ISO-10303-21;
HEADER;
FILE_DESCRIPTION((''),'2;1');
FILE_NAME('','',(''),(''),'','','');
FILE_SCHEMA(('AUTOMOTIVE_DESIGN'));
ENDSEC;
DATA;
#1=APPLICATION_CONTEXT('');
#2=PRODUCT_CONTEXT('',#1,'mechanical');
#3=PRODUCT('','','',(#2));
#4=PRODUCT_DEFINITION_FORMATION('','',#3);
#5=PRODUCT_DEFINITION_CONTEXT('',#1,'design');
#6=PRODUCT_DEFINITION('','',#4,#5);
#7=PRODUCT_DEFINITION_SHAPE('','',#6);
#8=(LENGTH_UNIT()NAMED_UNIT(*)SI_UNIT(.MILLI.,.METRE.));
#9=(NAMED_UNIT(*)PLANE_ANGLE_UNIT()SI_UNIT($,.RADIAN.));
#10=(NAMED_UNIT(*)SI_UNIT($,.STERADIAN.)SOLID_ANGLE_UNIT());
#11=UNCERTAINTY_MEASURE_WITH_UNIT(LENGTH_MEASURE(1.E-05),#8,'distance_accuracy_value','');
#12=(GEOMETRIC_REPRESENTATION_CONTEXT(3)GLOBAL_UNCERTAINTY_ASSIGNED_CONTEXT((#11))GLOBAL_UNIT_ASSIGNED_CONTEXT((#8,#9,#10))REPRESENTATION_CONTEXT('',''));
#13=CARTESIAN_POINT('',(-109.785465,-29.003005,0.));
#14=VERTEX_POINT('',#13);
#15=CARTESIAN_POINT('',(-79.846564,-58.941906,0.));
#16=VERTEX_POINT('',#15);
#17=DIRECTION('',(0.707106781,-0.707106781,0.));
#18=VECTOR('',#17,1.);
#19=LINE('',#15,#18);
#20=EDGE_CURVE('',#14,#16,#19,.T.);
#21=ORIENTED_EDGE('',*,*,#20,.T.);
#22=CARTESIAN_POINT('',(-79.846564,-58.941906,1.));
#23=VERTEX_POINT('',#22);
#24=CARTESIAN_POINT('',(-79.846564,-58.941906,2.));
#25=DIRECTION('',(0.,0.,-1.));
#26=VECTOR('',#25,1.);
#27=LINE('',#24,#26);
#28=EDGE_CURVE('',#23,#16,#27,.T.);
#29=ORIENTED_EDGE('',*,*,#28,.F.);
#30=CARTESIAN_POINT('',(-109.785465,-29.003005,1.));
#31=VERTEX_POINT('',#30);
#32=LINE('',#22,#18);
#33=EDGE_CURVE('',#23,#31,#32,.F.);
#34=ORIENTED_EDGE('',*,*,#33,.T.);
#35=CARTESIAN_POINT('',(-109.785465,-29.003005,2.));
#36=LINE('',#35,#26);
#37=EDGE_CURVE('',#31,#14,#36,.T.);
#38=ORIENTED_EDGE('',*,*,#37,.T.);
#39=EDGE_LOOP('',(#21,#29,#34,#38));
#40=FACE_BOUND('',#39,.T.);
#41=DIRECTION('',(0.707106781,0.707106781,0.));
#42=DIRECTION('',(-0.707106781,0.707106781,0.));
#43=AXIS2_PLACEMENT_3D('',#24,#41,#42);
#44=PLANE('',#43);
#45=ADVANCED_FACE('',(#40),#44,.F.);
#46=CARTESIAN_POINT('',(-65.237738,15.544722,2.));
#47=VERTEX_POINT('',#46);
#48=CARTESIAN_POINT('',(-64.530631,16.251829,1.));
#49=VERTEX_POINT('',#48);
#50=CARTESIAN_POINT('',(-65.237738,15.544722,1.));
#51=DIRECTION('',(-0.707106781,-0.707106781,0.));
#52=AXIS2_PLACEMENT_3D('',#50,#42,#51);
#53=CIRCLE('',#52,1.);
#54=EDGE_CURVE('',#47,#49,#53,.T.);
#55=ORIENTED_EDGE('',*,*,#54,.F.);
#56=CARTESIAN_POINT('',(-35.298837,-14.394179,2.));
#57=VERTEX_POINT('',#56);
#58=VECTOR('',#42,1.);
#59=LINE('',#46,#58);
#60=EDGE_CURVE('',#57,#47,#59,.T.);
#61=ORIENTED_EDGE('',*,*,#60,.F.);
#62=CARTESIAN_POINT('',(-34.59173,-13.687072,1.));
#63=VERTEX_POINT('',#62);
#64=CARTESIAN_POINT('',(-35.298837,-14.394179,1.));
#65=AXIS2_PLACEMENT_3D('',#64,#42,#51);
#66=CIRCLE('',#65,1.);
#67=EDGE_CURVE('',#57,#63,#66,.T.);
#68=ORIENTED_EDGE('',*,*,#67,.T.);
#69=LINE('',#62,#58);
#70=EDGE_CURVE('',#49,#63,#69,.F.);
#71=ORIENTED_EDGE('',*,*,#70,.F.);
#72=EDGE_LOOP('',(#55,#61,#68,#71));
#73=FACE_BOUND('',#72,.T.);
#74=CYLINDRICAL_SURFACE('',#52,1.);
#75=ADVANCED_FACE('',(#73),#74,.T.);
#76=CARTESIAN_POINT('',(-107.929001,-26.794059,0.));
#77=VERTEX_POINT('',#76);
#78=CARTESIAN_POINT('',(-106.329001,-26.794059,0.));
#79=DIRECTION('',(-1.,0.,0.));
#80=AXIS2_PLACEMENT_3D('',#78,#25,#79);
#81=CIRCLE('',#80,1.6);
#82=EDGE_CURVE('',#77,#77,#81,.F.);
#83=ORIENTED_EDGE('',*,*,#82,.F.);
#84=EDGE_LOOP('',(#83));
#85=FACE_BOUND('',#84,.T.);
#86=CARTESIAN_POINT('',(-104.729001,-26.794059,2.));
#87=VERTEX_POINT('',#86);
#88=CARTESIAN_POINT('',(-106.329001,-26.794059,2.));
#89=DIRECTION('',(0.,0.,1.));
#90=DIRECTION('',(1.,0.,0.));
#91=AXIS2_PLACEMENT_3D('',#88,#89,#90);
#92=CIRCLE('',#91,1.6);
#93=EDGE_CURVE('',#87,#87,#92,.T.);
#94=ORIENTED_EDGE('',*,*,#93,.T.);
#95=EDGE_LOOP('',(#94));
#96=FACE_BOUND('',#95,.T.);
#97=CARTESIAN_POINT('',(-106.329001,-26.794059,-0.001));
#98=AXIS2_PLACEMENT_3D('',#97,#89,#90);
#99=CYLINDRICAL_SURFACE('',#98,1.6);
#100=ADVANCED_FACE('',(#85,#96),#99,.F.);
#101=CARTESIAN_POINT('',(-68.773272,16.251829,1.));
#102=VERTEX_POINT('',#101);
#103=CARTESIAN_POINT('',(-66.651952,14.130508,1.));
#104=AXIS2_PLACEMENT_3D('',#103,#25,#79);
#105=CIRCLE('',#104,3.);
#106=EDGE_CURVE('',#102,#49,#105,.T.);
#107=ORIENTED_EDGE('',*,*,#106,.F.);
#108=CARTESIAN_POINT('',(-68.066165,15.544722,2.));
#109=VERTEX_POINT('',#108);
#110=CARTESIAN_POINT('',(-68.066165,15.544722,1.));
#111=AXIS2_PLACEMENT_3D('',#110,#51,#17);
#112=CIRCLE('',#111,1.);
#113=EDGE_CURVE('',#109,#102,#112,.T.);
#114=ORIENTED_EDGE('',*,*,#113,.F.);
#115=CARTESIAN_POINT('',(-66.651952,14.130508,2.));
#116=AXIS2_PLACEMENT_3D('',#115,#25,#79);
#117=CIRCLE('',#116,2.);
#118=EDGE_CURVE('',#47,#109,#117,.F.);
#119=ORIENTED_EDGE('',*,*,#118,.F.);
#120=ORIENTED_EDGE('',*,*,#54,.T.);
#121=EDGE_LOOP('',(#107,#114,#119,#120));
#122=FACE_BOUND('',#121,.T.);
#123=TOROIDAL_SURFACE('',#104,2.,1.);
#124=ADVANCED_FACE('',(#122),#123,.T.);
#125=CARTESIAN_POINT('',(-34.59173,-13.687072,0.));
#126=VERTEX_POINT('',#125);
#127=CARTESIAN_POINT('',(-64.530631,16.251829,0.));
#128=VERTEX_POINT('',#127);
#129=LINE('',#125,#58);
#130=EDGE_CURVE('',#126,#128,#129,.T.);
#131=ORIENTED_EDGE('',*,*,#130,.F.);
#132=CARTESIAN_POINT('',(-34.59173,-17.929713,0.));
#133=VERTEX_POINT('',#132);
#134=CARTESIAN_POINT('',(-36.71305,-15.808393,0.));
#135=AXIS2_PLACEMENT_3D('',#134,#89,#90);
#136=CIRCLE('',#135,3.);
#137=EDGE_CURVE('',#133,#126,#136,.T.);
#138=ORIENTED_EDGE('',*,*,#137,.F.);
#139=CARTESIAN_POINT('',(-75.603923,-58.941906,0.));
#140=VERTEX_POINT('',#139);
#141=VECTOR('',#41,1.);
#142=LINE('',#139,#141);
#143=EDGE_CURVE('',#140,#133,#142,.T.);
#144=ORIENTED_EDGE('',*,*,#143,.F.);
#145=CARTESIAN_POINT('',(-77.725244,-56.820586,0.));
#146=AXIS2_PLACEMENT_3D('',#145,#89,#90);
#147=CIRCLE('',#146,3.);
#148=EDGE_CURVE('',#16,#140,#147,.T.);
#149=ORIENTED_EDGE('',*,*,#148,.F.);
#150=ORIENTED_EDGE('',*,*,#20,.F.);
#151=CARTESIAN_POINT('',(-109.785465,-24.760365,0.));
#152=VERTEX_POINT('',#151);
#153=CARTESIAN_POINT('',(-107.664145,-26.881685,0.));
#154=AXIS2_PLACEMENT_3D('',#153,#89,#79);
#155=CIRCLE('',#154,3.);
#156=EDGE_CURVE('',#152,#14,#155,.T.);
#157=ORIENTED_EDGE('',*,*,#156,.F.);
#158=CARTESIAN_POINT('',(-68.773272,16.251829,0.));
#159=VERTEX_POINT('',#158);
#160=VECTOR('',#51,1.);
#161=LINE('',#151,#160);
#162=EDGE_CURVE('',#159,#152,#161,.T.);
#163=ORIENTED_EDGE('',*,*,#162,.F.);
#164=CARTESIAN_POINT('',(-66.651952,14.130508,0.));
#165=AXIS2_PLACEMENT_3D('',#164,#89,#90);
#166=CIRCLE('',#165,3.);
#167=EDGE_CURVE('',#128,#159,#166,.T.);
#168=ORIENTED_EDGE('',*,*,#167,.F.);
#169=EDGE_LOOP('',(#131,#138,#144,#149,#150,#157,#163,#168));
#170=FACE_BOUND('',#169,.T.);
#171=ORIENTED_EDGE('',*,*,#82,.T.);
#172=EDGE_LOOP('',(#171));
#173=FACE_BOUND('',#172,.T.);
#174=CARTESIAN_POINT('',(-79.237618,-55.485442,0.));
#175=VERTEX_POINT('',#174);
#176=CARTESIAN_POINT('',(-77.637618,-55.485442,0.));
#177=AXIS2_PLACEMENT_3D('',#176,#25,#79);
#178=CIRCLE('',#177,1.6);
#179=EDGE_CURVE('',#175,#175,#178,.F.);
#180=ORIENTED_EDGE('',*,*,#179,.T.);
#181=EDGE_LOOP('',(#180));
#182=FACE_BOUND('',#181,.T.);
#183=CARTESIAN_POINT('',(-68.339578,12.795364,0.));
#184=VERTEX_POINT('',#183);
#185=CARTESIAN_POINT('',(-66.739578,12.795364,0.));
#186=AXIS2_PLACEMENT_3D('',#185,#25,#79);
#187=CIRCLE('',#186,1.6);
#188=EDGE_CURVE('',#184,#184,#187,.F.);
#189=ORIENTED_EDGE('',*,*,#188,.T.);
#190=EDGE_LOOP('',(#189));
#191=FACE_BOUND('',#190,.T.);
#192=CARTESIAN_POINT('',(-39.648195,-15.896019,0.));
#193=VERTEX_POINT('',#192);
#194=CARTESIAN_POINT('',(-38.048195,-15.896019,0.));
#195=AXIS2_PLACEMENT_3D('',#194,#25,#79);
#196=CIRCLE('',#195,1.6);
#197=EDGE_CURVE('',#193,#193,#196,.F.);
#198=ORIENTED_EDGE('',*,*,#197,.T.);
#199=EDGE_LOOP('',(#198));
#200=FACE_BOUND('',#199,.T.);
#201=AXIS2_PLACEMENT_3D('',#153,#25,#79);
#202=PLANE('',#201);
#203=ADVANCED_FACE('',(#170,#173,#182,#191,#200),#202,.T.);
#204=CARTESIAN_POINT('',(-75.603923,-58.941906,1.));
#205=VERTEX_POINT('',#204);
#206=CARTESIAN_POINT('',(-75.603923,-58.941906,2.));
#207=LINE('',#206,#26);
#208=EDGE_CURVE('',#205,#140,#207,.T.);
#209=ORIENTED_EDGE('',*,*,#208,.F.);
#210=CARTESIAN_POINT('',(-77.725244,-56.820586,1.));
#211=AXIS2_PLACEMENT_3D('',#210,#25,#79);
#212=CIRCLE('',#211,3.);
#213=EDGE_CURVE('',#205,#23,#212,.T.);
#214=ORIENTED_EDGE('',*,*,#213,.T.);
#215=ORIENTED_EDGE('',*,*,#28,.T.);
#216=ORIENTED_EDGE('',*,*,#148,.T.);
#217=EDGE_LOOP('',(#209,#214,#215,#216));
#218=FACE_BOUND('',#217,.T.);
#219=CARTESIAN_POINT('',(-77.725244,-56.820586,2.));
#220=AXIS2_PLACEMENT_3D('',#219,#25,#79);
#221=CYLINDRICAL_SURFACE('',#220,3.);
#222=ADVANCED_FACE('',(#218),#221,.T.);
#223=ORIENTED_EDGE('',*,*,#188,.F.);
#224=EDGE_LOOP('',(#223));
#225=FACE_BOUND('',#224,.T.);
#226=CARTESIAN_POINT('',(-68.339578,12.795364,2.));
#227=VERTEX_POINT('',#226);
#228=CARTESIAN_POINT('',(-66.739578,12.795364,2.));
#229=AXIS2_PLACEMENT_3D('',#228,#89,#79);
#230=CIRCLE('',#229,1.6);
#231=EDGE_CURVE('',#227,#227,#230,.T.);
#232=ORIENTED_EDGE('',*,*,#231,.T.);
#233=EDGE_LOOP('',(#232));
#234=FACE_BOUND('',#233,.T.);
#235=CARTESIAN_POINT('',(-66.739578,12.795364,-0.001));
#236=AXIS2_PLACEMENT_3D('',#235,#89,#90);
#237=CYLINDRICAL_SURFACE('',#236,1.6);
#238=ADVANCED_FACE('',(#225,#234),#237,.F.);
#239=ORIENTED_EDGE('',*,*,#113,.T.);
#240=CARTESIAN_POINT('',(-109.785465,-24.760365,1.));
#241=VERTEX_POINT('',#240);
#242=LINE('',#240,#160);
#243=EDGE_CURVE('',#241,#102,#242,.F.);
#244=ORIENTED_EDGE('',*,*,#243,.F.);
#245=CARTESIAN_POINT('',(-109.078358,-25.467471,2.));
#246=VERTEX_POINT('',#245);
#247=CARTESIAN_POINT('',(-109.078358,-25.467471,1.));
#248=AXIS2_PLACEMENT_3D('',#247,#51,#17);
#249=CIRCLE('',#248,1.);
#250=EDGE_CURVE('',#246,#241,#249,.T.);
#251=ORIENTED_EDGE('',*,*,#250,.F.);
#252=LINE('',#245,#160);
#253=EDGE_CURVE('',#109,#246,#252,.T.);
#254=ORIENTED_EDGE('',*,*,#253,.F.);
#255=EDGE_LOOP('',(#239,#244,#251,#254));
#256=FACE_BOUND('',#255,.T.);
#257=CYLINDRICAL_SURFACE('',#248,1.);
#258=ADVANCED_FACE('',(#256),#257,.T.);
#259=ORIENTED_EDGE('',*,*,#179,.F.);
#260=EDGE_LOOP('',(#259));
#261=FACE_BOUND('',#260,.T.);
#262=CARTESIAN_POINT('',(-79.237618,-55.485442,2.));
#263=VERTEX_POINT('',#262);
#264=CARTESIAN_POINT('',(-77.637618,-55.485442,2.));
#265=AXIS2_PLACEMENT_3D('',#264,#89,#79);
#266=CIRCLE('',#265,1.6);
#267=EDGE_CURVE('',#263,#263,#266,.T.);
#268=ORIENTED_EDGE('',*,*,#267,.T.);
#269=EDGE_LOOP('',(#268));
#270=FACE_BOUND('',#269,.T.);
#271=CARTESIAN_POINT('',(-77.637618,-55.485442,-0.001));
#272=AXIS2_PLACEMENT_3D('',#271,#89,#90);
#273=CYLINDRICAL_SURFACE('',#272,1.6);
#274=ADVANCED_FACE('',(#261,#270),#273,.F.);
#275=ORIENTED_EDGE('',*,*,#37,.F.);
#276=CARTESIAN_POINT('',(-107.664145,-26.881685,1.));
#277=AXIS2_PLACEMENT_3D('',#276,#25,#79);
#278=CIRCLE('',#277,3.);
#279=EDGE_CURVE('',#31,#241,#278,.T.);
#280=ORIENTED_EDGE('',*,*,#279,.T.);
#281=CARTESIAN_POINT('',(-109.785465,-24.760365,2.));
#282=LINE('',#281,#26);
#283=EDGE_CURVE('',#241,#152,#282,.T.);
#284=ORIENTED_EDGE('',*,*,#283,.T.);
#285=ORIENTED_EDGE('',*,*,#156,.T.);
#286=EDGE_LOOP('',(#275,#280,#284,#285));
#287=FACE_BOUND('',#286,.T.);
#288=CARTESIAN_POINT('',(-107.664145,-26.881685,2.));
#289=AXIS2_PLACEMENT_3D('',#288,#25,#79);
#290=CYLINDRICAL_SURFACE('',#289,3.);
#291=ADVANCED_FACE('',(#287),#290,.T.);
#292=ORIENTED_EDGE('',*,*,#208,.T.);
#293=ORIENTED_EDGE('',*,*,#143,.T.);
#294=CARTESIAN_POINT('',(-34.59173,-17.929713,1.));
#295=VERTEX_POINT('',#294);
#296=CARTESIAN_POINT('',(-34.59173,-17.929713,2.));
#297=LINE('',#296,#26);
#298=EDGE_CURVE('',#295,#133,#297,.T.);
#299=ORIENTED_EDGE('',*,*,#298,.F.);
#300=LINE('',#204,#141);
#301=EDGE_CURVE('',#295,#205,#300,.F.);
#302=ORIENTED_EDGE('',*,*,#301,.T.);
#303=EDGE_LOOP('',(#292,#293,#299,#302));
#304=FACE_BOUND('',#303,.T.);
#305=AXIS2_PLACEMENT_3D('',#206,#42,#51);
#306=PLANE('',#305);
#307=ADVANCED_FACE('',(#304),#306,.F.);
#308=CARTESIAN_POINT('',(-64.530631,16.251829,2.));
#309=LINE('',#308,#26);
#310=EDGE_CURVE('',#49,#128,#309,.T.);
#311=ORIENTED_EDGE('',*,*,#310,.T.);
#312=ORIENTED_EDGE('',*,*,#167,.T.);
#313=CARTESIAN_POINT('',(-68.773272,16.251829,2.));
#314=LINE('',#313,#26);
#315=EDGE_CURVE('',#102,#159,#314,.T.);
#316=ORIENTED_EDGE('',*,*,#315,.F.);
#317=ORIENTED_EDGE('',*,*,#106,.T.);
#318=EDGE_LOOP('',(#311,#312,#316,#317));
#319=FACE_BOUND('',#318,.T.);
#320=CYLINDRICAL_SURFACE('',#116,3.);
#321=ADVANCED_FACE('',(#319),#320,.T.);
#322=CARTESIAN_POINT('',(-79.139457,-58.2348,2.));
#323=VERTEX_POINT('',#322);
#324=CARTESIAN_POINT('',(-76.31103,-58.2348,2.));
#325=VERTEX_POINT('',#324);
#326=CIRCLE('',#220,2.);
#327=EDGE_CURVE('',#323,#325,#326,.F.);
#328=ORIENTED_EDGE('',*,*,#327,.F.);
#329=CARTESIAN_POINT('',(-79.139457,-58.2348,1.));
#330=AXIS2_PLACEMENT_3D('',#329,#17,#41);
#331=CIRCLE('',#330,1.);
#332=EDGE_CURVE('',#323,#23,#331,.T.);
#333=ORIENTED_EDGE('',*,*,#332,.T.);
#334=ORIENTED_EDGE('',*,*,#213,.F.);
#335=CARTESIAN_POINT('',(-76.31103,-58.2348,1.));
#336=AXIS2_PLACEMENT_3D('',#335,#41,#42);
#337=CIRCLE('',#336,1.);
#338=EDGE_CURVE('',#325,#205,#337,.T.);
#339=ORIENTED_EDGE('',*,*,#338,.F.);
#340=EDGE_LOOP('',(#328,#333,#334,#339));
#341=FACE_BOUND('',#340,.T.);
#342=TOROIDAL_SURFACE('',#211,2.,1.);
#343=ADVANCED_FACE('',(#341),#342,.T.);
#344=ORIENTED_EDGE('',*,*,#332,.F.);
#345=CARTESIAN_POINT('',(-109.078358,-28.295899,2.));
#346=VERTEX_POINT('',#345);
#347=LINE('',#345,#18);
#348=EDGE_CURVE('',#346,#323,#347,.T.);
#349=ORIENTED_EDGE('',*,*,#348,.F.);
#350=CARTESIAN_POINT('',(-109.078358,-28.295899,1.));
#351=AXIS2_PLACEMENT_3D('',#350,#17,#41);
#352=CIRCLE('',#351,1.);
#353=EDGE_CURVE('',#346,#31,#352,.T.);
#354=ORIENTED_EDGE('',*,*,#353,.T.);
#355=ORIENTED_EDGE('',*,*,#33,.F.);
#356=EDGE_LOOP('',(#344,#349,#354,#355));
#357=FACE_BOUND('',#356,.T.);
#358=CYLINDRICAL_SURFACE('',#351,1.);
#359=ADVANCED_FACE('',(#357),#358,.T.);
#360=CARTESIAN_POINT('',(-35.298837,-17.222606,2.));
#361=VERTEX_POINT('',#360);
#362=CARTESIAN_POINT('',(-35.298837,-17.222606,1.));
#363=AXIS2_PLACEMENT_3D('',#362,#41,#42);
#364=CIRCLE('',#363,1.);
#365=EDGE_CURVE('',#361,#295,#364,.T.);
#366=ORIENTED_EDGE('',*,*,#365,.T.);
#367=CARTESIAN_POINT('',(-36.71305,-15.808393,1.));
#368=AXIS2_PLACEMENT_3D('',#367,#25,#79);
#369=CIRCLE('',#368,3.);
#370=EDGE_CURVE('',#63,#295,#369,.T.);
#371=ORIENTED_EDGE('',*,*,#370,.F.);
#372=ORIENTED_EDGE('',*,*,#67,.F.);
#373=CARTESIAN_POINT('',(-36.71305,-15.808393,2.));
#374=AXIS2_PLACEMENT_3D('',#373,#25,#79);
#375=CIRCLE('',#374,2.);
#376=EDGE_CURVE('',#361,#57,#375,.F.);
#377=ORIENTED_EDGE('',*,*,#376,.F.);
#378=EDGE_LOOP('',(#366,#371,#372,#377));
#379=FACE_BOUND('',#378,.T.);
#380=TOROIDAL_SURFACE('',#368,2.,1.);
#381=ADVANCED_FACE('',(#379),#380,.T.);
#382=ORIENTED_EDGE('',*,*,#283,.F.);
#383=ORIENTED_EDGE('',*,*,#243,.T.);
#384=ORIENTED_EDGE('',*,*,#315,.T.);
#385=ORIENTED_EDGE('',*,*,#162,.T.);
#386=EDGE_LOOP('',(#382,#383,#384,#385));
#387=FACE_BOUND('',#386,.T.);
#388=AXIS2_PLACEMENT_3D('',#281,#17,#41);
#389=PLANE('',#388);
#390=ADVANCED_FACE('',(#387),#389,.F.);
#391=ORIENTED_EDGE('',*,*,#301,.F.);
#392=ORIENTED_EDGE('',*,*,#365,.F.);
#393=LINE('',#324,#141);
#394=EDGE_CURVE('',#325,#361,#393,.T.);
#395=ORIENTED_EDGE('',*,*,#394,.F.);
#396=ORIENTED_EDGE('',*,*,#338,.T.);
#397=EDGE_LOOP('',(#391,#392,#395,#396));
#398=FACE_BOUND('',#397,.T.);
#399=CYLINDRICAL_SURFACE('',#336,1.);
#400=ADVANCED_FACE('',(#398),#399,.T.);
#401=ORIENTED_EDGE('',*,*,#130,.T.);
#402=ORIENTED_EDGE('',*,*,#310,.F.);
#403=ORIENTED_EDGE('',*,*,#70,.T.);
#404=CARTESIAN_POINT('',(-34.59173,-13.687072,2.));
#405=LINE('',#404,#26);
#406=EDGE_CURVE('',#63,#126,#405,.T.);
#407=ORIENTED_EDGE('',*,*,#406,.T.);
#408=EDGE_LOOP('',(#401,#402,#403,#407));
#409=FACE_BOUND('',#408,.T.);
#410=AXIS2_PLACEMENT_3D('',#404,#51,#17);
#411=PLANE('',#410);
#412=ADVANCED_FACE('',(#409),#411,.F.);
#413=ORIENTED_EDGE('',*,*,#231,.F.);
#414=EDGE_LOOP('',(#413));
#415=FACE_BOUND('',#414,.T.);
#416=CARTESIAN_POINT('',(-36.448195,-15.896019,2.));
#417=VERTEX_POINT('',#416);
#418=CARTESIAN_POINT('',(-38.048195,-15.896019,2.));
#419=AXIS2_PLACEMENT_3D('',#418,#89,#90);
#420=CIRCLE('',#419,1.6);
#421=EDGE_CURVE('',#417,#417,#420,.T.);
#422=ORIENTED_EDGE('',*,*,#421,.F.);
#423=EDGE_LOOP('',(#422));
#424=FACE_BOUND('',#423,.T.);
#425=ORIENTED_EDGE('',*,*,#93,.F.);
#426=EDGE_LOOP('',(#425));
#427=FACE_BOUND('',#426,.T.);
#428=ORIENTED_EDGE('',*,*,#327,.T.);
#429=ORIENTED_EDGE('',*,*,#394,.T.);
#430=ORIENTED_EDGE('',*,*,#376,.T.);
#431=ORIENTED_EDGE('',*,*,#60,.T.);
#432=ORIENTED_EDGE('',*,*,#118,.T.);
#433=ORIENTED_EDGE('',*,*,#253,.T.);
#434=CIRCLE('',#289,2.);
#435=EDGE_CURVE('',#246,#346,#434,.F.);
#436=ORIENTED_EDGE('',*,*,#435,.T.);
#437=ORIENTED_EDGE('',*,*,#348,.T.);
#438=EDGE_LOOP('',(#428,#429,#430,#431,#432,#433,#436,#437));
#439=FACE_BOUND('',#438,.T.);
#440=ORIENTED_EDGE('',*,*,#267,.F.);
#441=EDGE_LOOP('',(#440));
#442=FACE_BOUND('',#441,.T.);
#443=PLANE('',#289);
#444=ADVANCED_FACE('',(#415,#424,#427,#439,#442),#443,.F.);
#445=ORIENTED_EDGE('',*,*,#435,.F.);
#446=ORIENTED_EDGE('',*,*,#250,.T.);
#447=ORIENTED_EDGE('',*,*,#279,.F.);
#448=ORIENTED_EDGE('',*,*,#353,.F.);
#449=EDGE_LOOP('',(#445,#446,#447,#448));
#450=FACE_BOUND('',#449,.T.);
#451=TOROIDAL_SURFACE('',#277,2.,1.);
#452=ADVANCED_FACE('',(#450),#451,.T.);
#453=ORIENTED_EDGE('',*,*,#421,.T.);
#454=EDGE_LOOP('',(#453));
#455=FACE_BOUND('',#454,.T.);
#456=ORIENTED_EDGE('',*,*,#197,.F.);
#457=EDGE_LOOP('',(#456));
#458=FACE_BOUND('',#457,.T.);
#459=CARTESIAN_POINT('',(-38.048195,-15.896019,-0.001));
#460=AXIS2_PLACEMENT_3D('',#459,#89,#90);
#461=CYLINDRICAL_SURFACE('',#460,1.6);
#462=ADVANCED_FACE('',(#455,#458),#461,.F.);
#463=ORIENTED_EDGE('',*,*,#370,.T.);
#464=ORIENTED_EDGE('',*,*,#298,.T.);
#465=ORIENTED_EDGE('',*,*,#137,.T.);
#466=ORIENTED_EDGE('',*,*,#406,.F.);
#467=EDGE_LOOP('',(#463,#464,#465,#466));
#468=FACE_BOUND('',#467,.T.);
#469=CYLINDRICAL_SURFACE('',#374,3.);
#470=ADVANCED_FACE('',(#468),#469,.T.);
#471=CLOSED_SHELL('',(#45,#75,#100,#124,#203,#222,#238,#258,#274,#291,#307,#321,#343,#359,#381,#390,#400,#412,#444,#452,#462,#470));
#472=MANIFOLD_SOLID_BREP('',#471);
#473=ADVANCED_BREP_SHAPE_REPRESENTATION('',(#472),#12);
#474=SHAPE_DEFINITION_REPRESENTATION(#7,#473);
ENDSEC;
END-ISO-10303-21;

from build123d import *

# Parameters (mm, degrees)
BOSS_EXTRUDE1_DEPTH = 2
CUT_EXTRUDE1_REACH  = 127.814
SKETCH2_R           = 1.6
FILLET1_R           = 1


with BuildPart() as part:
    # Sketch1 → Boss-Extrude1 (new body)
    with BuildSketch(Plane.XY):
        with BuildLine():
            Line((-75.603923459, -58.941906487), (-34.59173015, -17.929713178))
            ThreePointArc((-34.59173015, -17.929713178), (-33.713050494, -15.808392834), (-34.59173015, -13.687072491))
            Line((-34.59173015, -13.687072491), (-64.530631265, 16.251828625))
            ThreePointArc((-64.530631265, 16.251828625), (-66.651951609, 17.130508281), (-68.773271953, 16.251828625))
            Line((-68.773271953, 16.251828625), (-109.785465261, -24.760364684))
            ThreePointArc((-109.785465261, -24.760364684), (-110.664144918, -26.881685028), (-109.785465261, -29.003005371))
            Line((-109.785465261, -29.003005371), (-79.846564146, -58.941906487))
            ThreePointArc((-79.846564146, -58.941906487), (-77.725243802, -59.820586143), (-75.603923459, -58.941906487))
        make_face()
    extrude(amount=BOSS_EXTRUDE1_DEPTH)

    # Sketch2 → Cut-Extrude1 (cut, up to next)
    with BuildSketch(Plane.XY.offset(2), mode=Mode.PRIVATE) as cut_extrude1_sk1:
        with Locations((-106.329000575, -26.794058815)):
            Circle(SKETCH2_R)
    cut_extrude1_tool1 = extrude(cut_extrude1_sk1.sketch, amount=-CUT_EXTRUDE1_REACH, mode=Mode.PRIVATE) & part.part
    # Sketch2 → Cut-Extrude1 (cut, up to next)
    with BuildSketch(Plane.XY.offset(2), mode=Mode.PRIVATE) as cut_extrude1_sk2:
        with Locations(Location((-77.63761759, -55.4854418, 0), (0, 0, 180))):
            Circle(SKETCH2_R)
    cut_extrude1_tool2 = extrude(cut_extrude1_sk2.sketch, amount=-CUT_EXTRUDE1_REACH, mode=Mode.PRIVATE) & part.part
    # Sketch2 → Cut-Extrude1 (cut, up to next)
    with BuildSketch(Plane.XY.offset(2), mode=Mode.PRIVATE) as cut_extrude1_sk3:
        with Locations((-38.048194837, -15.896019047)):
            Circle(SKETCH2_R)
    cut_extrude1_tool3 = extrude(cut_extrude1_sk3.sketch, amount=-CUT_EXTRUDE1_REACH, mode=Mode.PRIVATE) & part.part
    # Sketch2 → Cut-Extrude1 (cut, up to next)
    with BuildSketch(Plane.XY.offset(2), mode=Mode.PRIVATE) as cut_extrude1_sk4:
        with Locations(Location((-66.739577822, 12.795363938, 0), (0, 0, 180))):
            Circle(SKETCH2_R)
    cut_extrude1_tool4 = extrude(cut_extrude1_sk4.sketch, amount=-CUT_EXTRUDE1_REACH, mode=Mode.PRIVATE) & part.part
    add(cut_extrude1_tool1.solids().sort_by_distance((-106.329001, -26.794059, 2))[0], mode=Mode.SUBTRACT)
    add(cut_extrude1_tool2.solids().sort_by_distance((-77.637618, -55.485442, 2))[0], mode=Mode.SUBTRACT)
    add(cut_extrude1_tool3.solids().sort_by_distance((-38.048195, -15.896019, 2))[0], mode=Mode.SUBTRACT)
    add(cut_extrude1_tool4.solids().sort_by_distance((-66.739578, 12.795364, 2))[0], mode=Mode.SUBTRACT)

    # Fillet1
    fillet1_edges = [part.edges().sort_by_distance(p)[0] for p in [
        (-77.725243802, -59.820586143, 2),
        (-55.097826804, -38.435809832, 2),
        (-33.713050494, -15.808392834, 2),
        (-49.561180708, 1.282378067, 2),
        (-66.651951609, 17.130508281, 2),
        (-89.279368607, -4.25426803, 2),
        (-110.664144918, -26.881685028, 2),
        (-94.816014704, -43.972455929, 2),
    ]]
    fillet(fillet1_edges, radius=FILLET1_R)


solid = part.part
